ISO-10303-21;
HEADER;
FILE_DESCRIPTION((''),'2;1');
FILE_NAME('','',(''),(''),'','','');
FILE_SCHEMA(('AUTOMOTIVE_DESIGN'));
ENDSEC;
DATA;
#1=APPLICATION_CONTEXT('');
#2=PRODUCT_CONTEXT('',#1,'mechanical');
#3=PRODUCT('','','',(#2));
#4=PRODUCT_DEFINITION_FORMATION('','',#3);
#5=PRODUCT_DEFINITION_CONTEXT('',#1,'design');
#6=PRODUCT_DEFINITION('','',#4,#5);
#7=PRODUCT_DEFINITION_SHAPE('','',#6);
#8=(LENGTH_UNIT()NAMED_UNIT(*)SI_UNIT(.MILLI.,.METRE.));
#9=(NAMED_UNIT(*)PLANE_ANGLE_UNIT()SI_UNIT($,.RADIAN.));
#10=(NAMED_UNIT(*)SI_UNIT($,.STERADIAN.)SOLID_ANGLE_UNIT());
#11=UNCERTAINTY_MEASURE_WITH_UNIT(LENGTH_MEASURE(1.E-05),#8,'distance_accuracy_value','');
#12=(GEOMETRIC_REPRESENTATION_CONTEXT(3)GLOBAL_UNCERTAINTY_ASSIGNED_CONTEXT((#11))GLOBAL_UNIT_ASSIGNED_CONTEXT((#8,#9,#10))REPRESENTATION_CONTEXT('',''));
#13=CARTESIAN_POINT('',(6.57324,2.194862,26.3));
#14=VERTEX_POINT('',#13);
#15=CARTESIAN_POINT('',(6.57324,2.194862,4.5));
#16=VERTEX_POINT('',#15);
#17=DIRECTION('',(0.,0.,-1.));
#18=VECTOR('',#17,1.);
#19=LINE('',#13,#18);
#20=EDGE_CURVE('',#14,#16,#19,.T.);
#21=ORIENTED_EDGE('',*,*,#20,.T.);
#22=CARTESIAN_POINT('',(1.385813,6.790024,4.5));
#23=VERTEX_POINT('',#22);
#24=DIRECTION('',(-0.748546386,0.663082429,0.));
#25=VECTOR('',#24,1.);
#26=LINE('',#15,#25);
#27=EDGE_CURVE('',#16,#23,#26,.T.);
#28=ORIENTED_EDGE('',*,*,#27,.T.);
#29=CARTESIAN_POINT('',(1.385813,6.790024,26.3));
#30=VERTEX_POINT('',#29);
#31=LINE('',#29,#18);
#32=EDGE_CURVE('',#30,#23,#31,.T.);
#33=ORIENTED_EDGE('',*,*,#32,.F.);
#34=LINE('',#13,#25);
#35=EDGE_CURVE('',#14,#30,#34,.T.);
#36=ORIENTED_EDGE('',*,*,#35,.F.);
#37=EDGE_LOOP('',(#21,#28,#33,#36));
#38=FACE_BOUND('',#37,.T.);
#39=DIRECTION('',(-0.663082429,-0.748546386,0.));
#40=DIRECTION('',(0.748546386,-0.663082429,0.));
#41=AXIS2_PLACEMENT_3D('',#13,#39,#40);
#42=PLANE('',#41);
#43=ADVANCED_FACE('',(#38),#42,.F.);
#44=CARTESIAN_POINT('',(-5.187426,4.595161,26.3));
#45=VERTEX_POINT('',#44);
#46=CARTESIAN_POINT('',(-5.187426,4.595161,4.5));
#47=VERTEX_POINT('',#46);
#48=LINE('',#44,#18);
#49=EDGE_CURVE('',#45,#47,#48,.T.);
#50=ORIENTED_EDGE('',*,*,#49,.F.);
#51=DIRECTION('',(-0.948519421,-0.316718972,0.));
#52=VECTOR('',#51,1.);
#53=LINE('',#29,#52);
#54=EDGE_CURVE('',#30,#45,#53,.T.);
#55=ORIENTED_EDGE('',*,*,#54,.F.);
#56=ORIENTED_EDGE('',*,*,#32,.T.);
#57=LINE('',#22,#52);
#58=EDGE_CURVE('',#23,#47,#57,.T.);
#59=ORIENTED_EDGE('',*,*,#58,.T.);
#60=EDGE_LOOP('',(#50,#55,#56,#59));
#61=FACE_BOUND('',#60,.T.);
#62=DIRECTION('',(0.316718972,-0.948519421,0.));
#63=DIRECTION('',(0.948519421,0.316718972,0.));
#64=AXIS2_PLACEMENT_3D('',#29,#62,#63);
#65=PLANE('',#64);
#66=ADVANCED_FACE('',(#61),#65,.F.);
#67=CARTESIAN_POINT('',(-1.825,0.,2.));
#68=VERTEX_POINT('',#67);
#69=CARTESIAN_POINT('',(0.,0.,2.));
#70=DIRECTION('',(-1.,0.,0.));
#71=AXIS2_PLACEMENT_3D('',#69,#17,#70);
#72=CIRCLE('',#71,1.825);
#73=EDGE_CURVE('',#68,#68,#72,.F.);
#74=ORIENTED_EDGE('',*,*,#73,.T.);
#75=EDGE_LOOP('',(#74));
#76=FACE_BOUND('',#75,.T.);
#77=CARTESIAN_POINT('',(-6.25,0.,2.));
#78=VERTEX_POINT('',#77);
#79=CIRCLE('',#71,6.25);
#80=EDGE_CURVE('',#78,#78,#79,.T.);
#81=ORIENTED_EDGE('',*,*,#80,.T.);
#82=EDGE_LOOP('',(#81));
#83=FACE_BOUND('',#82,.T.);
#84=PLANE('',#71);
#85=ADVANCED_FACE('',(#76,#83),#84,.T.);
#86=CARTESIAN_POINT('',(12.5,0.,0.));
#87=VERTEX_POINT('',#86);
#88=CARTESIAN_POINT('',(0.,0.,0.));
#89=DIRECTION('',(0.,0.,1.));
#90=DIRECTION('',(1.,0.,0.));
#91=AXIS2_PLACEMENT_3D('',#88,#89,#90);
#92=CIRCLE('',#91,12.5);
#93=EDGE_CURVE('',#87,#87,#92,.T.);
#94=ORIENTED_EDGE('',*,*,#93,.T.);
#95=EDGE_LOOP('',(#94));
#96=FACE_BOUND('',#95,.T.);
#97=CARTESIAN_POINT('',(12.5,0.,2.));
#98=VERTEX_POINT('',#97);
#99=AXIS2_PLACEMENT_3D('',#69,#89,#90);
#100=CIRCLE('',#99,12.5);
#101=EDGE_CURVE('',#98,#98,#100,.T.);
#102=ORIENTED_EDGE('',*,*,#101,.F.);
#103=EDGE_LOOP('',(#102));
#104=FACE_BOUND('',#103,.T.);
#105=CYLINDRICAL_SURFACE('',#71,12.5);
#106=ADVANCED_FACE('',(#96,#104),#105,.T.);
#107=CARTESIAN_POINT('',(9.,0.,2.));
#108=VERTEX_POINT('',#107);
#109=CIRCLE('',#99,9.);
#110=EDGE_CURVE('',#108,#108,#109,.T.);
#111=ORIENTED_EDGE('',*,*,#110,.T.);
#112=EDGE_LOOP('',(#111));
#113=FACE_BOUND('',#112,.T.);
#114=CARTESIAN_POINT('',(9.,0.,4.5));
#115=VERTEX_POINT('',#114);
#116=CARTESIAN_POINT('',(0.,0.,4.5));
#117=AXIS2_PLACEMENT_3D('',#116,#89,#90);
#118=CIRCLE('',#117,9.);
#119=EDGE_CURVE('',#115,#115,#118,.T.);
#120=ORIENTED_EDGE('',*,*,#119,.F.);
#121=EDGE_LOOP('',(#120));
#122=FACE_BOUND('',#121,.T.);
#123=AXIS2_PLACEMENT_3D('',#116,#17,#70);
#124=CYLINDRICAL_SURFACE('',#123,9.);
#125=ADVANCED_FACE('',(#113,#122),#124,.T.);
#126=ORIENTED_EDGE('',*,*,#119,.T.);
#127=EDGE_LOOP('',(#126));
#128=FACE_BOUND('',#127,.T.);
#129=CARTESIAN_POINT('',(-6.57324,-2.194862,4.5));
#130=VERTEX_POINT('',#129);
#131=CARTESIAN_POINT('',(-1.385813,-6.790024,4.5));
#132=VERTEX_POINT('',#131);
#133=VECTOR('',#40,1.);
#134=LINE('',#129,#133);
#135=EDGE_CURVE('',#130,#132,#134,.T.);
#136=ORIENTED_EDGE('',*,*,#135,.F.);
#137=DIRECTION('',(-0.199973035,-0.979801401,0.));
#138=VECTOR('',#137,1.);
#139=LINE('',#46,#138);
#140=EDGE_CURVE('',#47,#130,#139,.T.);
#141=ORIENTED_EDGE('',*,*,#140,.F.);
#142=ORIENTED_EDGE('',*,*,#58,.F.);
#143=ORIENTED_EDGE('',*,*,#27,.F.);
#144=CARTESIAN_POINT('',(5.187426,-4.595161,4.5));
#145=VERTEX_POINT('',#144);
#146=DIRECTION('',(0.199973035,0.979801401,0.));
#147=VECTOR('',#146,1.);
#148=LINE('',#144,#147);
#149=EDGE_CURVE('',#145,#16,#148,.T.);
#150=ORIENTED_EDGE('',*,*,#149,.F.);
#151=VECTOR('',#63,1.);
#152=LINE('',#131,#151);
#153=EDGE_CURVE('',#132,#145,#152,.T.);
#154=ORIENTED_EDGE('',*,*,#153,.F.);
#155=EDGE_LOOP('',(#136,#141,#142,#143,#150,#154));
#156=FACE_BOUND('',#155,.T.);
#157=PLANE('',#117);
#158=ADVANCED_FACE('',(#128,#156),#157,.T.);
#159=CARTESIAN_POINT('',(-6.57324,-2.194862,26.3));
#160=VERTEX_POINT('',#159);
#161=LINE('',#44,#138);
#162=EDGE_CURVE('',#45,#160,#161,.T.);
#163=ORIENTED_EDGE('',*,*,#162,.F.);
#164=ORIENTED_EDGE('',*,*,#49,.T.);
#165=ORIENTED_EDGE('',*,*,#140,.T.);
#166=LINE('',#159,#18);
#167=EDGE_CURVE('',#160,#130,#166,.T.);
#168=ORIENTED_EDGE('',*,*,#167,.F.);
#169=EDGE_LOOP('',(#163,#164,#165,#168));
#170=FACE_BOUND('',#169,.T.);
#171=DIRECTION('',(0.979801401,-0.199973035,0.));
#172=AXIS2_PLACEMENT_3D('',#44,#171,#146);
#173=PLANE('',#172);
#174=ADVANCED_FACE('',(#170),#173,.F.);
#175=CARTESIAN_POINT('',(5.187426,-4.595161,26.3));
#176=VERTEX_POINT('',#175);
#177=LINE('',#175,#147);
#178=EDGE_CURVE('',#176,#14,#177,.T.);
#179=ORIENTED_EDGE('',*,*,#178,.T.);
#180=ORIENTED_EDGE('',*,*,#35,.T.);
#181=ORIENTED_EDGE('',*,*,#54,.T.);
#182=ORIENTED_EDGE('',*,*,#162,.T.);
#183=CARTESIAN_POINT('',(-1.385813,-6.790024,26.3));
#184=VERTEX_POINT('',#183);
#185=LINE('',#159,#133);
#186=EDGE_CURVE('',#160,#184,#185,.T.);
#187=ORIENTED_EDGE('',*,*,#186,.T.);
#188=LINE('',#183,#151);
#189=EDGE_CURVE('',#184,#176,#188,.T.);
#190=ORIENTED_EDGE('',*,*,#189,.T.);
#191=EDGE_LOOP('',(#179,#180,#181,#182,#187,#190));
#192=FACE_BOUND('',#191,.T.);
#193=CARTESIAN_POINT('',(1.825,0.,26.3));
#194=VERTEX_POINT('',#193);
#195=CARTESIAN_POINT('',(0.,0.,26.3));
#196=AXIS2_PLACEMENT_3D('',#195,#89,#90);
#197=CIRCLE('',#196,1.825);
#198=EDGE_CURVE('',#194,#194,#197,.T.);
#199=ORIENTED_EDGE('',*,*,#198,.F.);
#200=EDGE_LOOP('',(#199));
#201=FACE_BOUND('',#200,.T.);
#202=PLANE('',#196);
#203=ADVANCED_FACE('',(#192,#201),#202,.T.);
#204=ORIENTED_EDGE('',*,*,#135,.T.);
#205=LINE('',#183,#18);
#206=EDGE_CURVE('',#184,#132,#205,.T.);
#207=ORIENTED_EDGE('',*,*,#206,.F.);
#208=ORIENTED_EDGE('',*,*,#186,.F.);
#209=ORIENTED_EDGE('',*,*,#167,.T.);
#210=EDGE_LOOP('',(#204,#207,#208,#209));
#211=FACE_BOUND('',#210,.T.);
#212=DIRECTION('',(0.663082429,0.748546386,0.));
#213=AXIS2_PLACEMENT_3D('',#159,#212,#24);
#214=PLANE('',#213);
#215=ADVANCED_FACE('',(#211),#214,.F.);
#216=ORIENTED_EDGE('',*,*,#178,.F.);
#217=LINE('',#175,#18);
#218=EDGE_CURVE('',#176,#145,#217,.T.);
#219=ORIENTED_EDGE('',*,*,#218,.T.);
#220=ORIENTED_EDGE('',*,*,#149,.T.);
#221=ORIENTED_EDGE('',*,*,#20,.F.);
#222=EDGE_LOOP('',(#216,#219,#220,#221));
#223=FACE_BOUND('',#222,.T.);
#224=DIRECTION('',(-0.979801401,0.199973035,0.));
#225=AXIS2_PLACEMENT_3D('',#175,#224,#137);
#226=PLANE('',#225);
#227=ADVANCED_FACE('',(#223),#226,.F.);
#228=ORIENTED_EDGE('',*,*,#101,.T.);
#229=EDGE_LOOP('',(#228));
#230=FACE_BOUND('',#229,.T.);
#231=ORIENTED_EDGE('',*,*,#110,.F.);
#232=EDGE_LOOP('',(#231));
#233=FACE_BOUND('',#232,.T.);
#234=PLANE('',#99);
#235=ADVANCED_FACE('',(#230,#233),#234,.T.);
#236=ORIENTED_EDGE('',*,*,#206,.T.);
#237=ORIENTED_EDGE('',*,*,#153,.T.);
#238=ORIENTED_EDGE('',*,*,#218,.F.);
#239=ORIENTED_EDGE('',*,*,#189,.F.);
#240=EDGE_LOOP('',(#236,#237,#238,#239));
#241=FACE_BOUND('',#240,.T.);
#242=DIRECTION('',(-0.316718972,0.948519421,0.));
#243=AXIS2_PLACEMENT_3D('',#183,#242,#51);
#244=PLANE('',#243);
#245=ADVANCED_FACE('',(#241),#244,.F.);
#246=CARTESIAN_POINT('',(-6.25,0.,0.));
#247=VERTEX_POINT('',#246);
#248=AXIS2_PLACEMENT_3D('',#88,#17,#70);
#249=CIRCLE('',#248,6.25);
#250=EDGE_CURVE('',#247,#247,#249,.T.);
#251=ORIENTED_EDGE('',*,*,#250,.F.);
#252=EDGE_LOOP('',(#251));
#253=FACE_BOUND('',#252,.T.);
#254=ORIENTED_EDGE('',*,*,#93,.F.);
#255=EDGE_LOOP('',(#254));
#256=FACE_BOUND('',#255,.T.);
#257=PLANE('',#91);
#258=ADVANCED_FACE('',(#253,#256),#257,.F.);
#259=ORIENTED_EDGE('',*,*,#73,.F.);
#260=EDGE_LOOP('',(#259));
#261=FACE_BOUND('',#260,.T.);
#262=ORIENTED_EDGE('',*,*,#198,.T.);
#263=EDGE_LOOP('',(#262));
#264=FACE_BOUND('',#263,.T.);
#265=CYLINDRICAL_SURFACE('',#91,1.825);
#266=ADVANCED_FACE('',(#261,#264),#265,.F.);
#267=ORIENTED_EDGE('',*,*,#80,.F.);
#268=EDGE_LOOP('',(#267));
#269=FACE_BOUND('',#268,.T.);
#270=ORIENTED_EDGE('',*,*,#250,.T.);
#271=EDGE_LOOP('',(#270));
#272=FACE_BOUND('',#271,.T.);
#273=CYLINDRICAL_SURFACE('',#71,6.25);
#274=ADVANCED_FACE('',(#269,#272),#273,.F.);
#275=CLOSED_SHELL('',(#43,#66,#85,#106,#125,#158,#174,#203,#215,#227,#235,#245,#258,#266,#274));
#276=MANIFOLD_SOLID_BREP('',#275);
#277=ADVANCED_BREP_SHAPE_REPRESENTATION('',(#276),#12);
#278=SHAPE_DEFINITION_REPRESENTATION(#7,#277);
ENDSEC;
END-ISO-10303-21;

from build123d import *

# Parameters (mm, degrees)
SKETCH_1_R          = 12.5
EXTRUDE_1_DEPTH     = 2
SKETCH_2_R          = 9
EXTRUDE_2_DEPTH     = 2.5
EXTRUDE_3_DEPTH     = 21.8
SKETCH_4_R          = 1.825
CUT_EXTRUDE_1_DEPTH = 32.688957067
SKETCH_5_R          = 6.25
CUT_EXTRUDE_2_DEPTH = 2


with BuildPart() as part:
    # 草图1 → 凸台-拉伸1 (new body)
    with BuildSketch(Plane.XY):
        Circle(SKETCH_1_R)
    extrude(amount=EXTRUDE_1_DEPTH)

    # 草图2 → 凸台-拉伸2 (add)
    with BuildSketch(Plane.XY.offset(2)):
        Circle(SKETCH_2_R)
    extrude(amount=EXTRUDE_2_DEPTH)

    # 草图3 → 凸台-拉伸3 (add)
    with BuildSketch(Plane.XY.offset(4.5)):
        Polygon((5.187426457, -4.595161232), (6.57323959, 2.194862476), (1.385813133, 6.790023708), (-5.187426457, 4.595161232), (-6.57323959, -2.194862476), (-1.385813133, -6.790023708), align=None)
    extrude(amount=EXTRUDE_3_DEPTH)

    # 草图4 → 切除-拉伸1 (cut, through all)
    with BuildSketch(Plane.XY.offset(26.3)):
        Circle(SKETCH_4_R)
    extrude(amount=-CUT_EXTRUDE_1_DEPTH, mode=Mode.SUBTRACT)

    # 草图5 → 切除-拉伸2 (cut)
    with BuildSketch(Plane(origin=(0, 0, 0), x_dir=(-1, 0, 0), z_dir=(0, 0, -1))):
        Circle(SKETCH_5_R)
    extrude(amount=-CUT_EXTRUDE_2_DEPTH, mode=Mode.SUBTRACT)


solid = part.part
